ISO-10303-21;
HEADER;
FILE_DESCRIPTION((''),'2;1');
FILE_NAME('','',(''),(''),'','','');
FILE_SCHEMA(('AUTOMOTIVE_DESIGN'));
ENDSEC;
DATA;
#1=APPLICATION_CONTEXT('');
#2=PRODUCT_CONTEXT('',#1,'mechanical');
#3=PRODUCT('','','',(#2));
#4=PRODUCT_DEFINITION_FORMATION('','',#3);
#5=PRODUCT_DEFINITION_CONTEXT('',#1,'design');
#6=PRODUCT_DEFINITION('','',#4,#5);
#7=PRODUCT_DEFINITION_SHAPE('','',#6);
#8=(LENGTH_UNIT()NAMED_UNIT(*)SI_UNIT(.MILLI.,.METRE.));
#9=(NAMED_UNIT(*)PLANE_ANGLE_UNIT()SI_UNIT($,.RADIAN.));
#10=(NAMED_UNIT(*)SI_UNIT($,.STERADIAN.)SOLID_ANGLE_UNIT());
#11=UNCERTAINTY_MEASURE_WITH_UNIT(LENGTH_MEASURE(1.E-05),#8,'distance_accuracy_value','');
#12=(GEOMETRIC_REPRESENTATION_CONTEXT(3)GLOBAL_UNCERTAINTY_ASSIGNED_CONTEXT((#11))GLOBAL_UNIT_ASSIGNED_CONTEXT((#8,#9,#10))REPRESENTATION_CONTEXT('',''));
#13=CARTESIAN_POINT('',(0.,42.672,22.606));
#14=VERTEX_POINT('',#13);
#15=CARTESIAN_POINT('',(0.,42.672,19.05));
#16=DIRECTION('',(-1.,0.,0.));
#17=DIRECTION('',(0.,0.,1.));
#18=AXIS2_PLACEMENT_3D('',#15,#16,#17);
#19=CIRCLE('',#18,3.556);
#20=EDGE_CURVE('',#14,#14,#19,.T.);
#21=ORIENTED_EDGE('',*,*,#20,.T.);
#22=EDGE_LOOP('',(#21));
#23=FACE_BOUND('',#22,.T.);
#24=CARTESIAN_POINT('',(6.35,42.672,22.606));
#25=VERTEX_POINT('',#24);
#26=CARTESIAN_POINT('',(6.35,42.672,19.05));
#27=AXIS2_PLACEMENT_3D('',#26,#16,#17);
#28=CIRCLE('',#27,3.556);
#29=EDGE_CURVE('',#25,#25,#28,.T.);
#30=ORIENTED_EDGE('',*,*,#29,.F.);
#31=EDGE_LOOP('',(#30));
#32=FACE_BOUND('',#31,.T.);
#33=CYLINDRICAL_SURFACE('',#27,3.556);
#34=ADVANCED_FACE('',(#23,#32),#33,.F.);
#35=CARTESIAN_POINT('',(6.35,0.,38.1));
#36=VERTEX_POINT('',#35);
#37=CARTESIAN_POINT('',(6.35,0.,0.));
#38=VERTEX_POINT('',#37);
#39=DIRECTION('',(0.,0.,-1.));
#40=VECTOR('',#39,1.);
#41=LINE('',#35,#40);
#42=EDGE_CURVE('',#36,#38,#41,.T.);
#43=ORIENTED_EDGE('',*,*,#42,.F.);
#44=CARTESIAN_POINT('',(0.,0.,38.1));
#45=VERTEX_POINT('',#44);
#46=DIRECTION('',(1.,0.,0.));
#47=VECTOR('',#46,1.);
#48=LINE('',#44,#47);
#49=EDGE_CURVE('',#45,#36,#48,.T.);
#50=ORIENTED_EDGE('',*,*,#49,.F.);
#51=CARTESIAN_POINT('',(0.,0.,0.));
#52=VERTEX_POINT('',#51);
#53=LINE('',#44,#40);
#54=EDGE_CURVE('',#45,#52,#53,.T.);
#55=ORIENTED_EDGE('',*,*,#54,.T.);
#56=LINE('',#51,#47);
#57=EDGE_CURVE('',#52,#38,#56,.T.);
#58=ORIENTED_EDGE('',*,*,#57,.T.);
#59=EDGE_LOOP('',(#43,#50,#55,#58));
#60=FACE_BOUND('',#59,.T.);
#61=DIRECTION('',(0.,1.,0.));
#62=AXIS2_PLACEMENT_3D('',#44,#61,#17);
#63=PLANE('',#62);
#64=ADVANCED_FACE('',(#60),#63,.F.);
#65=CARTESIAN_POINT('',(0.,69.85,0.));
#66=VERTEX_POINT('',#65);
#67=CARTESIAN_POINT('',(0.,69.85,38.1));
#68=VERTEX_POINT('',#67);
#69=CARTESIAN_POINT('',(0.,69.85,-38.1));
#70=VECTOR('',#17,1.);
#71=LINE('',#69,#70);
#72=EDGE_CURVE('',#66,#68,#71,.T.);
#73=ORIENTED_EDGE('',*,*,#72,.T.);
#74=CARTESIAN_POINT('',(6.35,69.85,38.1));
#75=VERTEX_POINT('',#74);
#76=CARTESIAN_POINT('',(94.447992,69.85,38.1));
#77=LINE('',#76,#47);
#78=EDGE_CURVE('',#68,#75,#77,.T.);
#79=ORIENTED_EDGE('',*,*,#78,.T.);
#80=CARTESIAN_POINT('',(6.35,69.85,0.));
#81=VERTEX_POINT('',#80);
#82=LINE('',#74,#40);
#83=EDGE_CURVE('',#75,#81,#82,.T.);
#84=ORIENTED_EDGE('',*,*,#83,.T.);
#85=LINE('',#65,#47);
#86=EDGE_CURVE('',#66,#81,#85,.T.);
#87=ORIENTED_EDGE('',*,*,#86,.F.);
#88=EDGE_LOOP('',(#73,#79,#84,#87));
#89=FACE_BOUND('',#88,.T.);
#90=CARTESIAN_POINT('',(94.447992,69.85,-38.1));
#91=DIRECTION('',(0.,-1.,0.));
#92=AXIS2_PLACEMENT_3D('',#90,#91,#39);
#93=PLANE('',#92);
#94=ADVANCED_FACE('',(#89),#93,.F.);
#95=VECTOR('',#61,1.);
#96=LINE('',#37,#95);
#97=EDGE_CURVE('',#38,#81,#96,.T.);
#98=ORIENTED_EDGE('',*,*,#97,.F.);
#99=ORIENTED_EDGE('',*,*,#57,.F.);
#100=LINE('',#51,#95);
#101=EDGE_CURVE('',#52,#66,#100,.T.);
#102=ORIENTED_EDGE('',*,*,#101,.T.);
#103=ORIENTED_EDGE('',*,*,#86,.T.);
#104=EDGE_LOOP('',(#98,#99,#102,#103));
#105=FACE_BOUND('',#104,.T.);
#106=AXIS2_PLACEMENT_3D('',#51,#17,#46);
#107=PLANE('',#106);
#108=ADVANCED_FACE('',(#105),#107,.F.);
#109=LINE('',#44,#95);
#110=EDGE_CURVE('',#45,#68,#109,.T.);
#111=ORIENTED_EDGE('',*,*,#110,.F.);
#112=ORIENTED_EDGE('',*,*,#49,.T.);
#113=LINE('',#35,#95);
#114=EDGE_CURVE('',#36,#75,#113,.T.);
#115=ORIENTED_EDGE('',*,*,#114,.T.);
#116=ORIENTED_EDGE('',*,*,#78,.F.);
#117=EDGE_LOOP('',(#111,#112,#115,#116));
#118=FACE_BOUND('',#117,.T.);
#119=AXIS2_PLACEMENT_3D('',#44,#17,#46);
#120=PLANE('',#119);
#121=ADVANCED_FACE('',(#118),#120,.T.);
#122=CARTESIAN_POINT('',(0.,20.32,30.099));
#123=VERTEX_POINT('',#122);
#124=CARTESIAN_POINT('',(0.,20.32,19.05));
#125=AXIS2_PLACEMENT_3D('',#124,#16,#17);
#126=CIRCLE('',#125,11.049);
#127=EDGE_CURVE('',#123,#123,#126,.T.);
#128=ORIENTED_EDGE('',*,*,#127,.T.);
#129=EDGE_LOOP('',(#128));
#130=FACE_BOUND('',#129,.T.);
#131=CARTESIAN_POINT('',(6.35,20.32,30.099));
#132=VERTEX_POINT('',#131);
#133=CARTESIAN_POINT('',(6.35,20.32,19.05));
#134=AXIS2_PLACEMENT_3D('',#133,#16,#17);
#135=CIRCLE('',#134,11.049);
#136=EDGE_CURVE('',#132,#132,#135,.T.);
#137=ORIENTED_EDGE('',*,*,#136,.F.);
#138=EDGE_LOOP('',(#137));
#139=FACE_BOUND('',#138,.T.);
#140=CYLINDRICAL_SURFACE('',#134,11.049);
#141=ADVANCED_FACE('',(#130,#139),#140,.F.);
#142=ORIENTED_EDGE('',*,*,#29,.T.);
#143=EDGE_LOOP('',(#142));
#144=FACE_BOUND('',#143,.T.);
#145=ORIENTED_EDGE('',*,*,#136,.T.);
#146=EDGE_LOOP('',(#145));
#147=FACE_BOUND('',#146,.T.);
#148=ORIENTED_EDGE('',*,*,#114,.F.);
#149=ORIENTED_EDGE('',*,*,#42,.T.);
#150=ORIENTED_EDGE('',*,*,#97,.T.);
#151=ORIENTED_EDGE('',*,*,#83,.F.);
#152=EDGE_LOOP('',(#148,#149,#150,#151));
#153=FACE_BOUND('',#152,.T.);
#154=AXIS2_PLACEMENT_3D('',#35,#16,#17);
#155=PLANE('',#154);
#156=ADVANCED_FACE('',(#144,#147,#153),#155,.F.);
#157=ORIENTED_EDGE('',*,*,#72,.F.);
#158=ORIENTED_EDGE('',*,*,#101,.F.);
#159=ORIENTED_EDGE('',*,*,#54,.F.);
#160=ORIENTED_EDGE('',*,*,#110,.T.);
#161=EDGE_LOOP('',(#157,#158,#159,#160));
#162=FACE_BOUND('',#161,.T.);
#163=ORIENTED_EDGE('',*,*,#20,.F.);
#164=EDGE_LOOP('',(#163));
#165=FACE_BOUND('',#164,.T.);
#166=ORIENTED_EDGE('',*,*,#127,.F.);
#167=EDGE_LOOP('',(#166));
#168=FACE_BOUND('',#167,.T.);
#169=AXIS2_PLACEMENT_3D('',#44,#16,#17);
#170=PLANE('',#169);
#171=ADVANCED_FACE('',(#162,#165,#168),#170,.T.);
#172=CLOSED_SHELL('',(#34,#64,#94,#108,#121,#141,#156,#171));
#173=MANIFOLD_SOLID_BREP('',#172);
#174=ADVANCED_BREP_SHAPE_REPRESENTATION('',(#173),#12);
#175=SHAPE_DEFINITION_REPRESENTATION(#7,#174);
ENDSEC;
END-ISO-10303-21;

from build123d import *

# Parameters (mm, degrees)
BOSS_EXTRUDE1_DEPTH = 38.1
SKETCH2_R           = 11.049
CUT_EXTRUDE1_DEPTH  = 6.35
SKETCH2_4_R         = 3.556
CUT_EXTRUDE2_DEPTH  = 6.35
SKETCH4_W           = 94.447991824
SKETCH4_H           = 31.75
CUT_EXTRUDE5_DEPTH  = 76.2


with BuildPart() as part:
    # Sketch1 → Boss-Extrude1 (new body)
    with BuildSketch(Plane.XY):
        Polygon((0, 76.2), (0, 0), (6.35, 0), (6.35, 69.85), (94.447991824, 69.85), (94.447991824, 101.6), (88.097991824, 101.6), (88.097991824, 76.2), align=None)
    extrude(amount=BOSS_EXTRUDE1_DEPTH)

    # Sketch2 → Cut-Extrude1 (cut)
    with BuildSketch(Plane.ZY):
        with Locations((19.05, 20.32)):
            Circle(SKETCH2_R)
    extrude(amount=-CUT_EXTRUDE1_DEPTH, mode=Mode.SUBTRACT)

    # Sketch2<4> → Cut-Extrude2 (cut)
    with BuildSketch(Plane.ZY):
        with Locations((19.05, 42.672)):
            Circle(SKETCH2_4_R)
    extrude(amount=-CUT_EXTRUDE2_DEPTH, mode=Mode.SUBTRACT)

    # Sketch4 → Cut-Extrude5 (cut)
    with BuildSketch(Plane.XY.offset(38.1)):
        with Locations((47.223995912, 85.725)):
            Rectangle(SKETCH4_W, SKETCH4_H)
    extrude(amount=-CUT_EXTRUDE5_DEPTH, mode=Mode.SUBTRACT)


solid = part.part
